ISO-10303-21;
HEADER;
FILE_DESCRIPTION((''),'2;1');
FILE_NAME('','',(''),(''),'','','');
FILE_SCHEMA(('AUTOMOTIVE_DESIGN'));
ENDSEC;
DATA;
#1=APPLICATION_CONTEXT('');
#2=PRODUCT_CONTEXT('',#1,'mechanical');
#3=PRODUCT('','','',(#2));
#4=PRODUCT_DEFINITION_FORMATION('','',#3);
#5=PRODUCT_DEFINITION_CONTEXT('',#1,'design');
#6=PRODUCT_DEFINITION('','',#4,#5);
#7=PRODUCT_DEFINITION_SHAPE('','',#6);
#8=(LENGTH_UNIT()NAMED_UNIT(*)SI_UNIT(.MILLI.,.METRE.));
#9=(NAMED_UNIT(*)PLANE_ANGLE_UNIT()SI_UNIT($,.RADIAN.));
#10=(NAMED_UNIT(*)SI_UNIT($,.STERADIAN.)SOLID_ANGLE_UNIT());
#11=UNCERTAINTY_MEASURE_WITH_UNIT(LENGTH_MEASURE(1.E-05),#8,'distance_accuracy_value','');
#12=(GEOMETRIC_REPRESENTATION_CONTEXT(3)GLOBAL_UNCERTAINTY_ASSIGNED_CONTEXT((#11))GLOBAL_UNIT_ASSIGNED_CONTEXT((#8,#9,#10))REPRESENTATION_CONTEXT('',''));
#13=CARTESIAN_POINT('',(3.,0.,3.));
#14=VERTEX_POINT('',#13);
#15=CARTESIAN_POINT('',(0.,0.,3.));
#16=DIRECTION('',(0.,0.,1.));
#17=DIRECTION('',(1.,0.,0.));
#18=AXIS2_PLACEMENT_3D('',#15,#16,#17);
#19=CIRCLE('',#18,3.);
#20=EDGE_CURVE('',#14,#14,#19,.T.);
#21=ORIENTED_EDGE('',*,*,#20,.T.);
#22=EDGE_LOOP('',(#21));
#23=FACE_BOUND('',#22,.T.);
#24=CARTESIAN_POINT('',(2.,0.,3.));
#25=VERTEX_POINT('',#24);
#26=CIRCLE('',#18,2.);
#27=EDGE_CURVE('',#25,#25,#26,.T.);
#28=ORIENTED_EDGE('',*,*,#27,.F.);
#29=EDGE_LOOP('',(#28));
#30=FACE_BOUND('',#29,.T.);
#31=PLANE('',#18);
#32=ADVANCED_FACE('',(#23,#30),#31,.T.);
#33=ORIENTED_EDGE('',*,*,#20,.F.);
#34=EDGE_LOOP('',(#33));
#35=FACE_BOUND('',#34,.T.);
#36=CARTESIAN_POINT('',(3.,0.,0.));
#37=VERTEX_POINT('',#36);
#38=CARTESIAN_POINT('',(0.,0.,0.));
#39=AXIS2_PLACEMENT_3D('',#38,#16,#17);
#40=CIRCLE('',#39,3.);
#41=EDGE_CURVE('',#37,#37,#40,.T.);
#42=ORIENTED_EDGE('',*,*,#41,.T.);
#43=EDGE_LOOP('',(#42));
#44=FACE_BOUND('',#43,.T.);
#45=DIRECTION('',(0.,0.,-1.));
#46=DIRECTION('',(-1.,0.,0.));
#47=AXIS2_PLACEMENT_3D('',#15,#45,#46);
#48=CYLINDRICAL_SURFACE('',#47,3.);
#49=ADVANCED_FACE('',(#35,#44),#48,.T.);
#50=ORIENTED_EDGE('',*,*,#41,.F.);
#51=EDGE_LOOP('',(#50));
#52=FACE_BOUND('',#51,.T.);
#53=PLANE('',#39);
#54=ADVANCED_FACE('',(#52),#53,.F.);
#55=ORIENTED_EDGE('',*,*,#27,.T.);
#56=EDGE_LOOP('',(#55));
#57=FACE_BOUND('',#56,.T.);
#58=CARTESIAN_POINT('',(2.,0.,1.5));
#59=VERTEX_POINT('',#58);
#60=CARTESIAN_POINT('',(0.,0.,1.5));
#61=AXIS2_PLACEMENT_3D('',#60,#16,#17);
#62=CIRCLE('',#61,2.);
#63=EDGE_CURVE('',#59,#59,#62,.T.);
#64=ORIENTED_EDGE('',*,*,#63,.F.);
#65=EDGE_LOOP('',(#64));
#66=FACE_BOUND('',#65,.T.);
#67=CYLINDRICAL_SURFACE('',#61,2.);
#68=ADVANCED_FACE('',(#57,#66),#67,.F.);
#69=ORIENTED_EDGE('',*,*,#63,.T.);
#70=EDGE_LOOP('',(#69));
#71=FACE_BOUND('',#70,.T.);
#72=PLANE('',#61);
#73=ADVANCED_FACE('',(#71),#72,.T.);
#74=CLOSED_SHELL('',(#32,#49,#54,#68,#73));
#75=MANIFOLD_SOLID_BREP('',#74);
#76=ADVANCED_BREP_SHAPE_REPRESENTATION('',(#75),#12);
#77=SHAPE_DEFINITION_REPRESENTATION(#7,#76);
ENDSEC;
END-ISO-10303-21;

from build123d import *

# Parameters (mm, degrees)
SKETCH_1_R          = 3
EXTRUDE_1_DEPTH     = 3
SKETCH_2_R          = 2
CUT_EXTRUDE_1_DEPTH = 1.5


with BuildPart() as part:
    # Эскиз1 → Бобышка-Вытянуть1 (new body)
    with BuildSketch(Plane.XY):
        Circle(SKETCH_1_R)
    extrude(amount=EXTRUDE_1_DEPTH)

    # Эскиз2 → Вырез-Вытянуть1 (cut)
    with BuildSketch(Plane.XY.offset(3)):
        Circle(SKETCH_2_R)
    extrude(amount=-CUT_EXTRUDE_1_DEPTH, mode=Mode.SUBTRACT)


solid = part.part
